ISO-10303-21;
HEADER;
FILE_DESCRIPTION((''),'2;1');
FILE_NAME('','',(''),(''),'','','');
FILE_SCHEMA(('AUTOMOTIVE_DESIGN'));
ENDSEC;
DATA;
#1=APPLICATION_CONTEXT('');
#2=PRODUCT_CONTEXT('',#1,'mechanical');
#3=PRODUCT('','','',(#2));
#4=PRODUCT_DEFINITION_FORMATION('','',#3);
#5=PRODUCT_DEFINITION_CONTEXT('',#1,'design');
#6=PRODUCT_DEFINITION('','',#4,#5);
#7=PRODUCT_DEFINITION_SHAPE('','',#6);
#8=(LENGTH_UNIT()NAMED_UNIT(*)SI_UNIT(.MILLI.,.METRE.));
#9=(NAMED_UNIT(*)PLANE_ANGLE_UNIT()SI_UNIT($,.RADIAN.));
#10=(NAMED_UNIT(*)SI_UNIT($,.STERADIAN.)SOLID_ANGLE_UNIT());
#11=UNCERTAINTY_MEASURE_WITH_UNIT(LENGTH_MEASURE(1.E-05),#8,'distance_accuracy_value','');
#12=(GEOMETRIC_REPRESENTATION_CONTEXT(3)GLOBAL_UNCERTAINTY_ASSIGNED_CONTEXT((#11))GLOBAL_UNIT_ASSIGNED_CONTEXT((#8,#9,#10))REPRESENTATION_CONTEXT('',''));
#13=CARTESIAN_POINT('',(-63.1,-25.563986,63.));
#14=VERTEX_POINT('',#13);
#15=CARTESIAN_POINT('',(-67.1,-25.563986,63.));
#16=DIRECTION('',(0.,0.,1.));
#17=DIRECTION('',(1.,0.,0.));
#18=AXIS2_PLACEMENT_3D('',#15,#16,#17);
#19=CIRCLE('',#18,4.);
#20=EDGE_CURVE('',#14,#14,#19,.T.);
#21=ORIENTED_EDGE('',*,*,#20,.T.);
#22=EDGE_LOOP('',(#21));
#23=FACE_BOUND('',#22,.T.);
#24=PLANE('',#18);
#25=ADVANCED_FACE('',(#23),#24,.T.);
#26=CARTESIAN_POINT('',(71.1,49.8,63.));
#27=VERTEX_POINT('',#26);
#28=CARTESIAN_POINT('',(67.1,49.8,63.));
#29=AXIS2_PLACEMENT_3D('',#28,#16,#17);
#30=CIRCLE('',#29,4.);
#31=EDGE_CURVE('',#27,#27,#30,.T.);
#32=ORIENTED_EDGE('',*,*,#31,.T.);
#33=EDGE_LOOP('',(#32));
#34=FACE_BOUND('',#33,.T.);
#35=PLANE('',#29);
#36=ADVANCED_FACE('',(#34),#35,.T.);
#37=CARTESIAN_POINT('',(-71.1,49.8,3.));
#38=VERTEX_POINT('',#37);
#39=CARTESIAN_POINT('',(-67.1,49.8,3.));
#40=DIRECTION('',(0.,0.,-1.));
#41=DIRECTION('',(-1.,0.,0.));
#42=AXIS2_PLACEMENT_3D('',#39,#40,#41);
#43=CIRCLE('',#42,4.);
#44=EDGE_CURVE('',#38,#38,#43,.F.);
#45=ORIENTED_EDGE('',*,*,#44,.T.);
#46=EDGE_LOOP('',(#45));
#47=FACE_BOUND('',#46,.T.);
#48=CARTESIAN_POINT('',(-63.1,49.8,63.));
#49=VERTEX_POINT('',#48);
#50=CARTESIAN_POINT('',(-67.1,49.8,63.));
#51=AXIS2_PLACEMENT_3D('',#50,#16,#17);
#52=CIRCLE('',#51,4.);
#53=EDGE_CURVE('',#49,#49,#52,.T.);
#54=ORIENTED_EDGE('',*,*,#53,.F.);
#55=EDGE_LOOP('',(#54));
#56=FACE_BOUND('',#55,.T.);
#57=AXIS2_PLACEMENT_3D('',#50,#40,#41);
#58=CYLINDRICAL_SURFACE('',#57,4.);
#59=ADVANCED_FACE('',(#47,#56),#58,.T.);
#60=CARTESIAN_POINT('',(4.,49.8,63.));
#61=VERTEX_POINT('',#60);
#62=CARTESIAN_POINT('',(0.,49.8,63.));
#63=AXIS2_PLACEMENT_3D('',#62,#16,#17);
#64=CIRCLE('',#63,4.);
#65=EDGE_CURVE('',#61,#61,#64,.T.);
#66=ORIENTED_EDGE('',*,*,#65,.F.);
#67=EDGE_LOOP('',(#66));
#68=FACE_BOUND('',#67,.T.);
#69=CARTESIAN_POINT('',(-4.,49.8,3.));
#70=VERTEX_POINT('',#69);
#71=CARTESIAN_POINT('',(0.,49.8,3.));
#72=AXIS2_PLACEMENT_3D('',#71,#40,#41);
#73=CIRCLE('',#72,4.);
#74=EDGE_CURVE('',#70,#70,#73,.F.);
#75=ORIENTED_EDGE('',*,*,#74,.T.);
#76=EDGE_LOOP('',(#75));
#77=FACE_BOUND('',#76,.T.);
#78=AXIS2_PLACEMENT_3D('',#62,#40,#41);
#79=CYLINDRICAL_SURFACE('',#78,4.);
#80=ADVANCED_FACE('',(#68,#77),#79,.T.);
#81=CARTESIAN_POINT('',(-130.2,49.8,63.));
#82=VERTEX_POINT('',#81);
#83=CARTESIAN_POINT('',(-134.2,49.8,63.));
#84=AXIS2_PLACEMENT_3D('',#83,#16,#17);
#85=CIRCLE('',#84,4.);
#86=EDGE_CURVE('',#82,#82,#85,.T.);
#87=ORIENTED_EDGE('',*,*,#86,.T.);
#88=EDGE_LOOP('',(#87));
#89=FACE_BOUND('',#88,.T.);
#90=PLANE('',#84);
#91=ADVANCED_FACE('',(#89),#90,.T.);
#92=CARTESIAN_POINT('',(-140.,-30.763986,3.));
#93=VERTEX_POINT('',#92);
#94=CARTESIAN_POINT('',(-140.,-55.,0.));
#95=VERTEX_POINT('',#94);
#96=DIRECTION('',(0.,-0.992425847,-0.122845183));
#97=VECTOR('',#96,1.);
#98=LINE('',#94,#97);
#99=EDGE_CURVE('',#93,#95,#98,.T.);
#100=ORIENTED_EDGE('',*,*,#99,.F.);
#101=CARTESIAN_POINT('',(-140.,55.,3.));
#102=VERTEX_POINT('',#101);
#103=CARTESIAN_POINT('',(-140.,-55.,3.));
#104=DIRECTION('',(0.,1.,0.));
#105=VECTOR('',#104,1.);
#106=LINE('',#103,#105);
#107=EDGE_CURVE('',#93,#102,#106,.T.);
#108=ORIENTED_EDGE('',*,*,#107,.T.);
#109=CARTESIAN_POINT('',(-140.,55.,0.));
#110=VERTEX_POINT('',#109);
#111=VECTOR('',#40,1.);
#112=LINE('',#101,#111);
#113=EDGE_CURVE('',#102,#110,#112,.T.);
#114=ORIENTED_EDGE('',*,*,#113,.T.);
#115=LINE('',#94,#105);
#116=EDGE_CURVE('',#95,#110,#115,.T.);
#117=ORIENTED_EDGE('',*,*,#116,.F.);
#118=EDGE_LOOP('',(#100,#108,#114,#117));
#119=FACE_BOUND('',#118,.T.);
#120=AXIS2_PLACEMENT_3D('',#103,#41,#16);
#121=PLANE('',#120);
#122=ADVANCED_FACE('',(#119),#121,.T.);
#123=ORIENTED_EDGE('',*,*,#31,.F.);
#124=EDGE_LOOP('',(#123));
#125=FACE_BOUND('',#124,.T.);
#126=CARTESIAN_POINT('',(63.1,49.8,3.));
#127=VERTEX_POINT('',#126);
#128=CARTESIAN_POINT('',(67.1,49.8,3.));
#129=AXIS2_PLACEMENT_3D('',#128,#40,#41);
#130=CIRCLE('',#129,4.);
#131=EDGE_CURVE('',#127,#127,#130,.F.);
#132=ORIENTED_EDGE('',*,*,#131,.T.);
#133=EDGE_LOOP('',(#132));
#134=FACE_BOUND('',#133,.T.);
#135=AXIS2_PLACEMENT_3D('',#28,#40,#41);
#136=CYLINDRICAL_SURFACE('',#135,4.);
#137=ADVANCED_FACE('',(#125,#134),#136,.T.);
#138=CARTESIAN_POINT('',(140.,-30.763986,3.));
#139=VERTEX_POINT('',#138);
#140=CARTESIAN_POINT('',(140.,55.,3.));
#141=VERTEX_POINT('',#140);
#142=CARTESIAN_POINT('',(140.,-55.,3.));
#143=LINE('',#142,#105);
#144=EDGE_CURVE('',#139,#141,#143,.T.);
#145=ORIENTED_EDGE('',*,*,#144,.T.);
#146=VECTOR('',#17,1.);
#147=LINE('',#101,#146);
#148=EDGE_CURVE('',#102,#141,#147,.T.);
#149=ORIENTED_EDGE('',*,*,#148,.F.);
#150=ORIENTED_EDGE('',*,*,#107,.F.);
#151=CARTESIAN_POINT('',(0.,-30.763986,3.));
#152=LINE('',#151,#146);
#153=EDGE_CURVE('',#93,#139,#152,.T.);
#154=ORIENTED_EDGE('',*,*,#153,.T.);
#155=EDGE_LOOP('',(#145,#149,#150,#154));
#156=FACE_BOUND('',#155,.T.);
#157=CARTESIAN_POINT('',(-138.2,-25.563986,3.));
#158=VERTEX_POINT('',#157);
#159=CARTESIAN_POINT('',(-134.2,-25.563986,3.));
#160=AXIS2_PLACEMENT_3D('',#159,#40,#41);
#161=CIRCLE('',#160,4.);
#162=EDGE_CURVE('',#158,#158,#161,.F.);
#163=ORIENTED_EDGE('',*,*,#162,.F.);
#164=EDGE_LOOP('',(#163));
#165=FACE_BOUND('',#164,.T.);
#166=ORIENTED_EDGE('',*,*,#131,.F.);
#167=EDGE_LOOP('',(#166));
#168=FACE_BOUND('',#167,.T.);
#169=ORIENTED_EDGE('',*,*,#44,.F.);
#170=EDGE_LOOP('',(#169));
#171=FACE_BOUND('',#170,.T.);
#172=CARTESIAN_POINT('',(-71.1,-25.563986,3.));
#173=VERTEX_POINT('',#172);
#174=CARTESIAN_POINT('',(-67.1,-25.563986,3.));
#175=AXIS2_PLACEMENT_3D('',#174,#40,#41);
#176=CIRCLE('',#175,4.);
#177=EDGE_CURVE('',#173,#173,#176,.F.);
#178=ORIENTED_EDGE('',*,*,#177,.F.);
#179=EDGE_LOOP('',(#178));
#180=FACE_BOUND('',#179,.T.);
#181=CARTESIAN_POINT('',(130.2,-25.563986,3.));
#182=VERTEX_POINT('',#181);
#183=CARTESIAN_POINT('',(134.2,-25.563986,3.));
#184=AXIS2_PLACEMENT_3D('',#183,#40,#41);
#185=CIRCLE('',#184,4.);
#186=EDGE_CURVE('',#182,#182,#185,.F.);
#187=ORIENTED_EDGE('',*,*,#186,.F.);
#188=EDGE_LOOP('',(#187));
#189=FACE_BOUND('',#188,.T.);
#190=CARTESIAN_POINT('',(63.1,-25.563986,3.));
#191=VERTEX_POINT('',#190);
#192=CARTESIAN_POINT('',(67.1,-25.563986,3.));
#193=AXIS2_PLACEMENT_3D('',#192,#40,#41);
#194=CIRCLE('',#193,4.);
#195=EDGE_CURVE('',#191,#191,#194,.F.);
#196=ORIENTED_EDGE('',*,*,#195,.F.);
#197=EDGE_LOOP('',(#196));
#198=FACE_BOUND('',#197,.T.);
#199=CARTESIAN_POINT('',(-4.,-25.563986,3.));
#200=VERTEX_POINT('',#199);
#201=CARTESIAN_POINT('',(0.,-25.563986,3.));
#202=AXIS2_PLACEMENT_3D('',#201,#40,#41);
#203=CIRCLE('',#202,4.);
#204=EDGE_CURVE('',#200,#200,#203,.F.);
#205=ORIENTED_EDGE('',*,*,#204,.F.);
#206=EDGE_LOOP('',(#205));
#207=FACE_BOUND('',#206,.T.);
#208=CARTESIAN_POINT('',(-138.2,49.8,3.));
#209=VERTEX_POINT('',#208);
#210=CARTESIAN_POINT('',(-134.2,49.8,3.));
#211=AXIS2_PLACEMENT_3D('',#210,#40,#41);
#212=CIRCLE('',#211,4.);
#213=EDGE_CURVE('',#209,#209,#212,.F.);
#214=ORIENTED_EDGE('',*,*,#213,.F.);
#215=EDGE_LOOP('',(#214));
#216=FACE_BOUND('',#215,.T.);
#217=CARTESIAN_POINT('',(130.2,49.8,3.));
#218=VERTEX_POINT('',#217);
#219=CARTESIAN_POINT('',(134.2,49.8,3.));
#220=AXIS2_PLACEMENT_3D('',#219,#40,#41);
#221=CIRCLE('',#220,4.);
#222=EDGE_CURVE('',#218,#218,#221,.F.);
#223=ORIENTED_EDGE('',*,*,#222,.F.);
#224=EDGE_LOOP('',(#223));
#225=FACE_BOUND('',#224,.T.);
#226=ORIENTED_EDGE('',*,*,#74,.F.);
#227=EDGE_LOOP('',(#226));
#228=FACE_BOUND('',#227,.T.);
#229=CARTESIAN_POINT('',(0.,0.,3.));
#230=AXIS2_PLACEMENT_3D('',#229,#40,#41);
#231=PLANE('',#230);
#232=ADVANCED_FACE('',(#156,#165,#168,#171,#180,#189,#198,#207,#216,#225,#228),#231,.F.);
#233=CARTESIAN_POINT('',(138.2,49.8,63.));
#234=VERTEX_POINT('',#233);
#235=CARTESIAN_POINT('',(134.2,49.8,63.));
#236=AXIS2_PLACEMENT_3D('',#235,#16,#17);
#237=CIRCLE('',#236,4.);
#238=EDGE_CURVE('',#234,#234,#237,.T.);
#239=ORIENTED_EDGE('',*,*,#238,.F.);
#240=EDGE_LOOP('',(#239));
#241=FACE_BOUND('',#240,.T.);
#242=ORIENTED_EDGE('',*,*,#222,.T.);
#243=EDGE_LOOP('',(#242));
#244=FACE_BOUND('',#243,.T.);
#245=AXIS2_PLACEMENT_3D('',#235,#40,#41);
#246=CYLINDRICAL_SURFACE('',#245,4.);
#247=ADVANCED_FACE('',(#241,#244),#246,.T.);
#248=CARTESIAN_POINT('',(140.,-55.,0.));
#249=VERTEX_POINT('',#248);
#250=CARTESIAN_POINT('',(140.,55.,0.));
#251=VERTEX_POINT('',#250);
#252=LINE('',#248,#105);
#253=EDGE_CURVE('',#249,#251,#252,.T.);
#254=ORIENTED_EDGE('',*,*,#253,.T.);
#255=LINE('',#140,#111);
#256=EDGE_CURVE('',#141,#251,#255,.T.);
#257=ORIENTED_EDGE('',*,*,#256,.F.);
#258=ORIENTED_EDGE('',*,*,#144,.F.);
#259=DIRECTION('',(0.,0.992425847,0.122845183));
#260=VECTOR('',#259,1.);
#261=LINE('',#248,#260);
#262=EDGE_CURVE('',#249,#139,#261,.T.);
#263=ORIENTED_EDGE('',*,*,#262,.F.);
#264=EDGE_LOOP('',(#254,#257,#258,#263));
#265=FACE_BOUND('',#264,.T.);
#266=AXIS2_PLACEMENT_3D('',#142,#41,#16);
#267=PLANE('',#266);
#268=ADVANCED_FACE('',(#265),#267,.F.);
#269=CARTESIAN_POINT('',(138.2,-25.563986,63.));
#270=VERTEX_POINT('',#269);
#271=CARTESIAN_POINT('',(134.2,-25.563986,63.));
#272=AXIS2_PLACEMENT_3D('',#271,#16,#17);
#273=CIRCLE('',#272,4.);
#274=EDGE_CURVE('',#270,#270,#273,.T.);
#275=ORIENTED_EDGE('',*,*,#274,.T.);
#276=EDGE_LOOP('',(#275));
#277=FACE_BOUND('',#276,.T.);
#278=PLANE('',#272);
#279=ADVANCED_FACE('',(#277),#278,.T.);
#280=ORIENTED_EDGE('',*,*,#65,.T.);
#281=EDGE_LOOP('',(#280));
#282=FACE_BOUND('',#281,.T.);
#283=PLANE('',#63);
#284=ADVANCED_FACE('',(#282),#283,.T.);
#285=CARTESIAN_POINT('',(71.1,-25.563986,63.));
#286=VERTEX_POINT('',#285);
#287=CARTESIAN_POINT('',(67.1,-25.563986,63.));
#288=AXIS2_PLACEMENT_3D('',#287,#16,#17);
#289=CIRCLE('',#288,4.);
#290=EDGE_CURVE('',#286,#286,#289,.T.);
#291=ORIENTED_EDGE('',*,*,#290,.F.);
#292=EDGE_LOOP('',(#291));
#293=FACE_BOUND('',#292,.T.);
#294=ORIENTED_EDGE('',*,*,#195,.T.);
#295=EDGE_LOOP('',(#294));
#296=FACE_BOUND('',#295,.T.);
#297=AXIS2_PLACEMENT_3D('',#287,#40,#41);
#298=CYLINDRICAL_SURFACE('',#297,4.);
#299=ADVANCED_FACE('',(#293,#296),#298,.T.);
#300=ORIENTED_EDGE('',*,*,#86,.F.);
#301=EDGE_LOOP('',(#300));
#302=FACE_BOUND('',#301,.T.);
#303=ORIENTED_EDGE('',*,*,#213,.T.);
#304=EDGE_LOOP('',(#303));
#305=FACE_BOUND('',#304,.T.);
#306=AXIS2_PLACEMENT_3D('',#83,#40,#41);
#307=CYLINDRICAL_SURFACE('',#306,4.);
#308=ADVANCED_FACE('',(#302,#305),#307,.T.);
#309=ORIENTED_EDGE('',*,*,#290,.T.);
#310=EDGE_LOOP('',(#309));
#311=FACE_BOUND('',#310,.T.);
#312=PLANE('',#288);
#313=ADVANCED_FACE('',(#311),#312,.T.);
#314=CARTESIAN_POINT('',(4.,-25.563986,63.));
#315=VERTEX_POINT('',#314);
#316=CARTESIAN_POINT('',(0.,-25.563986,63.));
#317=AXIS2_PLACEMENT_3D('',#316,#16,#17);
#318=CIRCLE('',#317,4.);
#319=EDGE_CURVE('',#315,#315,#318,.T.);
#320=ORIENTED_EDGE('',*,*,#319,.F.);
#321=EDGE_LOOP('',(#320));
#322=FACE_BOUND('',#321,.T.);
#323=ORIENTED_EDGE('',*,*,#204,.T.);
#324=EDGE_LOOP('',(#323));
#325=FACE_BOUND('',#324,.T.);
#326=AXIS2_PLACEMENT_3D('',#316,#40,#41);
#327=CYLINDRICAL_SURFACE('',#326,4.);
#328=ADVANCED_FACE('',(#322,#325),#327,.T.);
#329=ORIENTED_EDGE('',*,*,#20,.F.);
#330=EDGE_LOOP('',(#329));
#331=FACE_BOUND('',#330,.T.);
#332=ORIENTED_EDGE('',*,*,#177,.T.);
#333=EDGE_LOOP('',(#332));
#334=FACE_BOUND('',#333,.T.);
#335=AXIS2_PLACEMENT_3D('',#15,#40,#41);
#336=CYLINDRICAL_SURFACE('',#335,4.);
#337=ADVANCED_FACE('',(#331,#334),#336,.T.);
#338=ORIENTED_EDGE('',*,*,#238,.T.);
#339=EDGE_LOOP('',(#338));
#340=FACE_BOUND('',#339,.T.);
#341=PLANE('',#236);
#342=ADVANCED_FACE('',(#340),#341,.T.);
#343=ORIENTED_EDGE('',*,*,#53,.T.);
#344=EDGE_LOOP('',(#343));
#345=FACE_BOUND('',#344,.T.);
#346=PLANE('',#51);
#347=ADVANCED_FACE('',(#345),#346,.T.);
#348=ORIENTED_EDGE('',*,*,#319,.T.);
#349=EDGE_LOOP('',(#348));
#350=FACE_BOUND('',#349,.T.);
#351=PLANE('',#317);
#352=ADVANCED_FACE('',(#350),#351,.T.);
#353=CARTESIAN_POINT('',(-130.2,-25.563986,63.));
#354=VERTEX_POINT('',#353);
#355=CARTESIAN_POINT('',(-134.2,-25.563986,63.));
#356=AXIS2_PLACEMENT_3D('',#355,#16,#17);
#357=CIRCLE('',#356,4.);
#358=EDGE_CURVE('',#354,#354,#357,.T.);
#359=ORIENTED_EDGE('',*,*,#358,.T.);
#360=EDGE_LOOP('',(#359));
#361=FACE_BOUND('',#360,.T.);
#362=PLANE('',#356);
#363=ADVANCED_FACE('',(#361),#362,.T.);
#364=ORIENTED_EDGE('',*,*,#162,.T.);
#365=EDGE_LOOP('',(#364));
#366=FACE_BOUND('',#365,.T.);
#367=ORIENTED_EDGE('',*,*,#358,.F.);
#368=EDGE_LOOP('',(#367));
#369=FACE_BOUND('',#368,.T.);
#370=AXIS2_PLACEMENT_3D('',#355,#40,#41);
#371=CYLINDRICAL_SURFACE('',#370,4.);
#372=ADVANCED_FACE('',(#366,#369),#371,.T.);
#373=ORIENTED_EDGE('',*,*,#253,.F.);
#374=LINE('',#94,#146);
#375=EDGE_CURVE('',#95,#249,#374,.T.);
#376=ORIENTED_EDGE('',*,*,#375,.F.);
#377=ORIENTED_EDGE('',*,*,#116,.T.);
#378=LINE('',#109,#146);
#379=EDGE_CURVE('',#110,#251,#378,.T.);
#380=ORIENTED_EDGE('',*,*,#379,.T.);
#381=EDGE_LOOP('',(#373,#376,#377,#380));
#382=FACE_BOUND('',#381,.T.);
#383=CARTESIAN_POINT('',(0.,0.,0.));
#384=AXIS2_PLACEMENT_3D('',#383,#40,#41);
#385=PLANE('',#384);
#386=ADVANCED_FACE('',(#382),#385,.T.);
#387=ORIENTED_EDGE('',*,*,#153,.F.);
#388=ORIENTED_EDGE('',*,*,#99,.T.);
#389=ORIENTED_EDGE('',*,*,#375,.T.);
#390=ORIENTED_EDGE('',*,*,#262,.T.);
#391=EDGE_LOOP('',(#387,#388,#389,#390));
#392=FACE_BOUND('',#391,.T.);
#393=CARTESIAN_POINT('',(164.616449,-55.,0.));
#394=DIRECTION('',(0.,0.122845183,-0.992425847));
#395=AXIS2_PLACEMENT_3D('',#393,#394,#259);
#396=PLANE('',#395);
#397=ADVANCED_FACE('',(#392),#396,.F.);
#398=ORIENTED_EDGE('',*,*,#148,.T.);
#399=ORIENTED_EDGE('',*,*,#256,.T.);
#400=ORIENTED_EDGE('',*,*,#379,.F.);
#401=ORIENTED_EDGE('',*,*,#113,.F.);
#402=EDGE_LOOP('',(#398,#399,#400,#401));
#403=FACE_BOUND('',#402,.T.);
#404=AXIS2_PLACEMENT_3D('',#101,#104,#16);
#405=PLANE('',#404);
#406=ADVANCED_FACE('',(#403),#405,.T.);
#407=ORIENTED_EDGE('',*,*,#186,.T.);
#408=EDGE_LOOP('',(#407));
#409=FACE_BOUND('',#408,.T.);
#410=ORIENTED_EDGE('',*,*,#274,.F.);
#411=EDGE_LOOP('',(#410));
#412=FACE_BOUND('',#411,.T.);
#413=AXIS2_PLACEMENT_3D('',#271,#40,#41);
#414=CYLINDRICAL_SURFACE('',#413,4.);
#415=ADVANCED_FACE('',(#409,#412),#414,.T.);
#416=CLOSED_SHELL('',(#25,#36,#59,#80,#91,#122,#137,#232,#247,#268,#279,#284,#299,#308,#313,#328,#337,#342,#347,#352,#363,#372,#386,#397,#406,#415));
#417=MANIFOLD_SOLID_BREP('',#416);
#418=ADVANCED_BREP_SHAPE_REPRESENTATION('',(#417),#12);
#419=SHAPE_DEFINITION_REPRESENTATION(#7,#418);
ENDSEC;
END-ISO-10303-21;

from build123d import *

# Parameters (mm, degrees)
ESBO_O1_W                = 280
ESBO_O1_H                = 110
RESSALTO_EXTRUS_O1_DEPTH = 3
CORTE_EXTRUS_O1_DEPTH    = 280
ESBO_O4_R                = 4
RESSALTO_EXTRUS_O2_DEPTH = 60


with BuildPart() as part:
    # Esboço1 → Ressalto-extrusão1 (new body)
    with BuildSketch(Plane.XY):
        Rectangle(ESBO_O1_W, ESBO_O1_H)
    extrude(amount=RESSALTO_EXTRUS_O1_DEPTH)

    # Esboço3 → Corte-extrusão1 (cut)
    with BuildSketch(Plane.ZY.offset(140)):
        Polygon((0, -55), (3.02401214, -30.57), (3, -55), align=None)
    extrude(amount=-CORTE_EXTRUS_O1_DEPTH, mode=Mode.SUBTRACT)

    # Esboço4 → Ressalto-extrusão2 (add)
    with BuildSketch(Plane.XY.offset(3)):
        with Locations(Location((134.2, 49.8, 0), (0, 0, 180))):
            Circle(ESBO_O4_R)
        with Locations(Location((67.1, 49.8, 0), (0, 0, 180))):
            Circle(ESBO_O4_R)
        with Locations(Location((0, 49.8, 0), (0, 0, 180))):
            Circle(ESBO_O4_R)
        with Locations(Location((-67.1, 49.8, 0), (0, 0, 180))):
            Circle(ESBO_O4_R)
        with Locations(Location((-134.2, 49.8, 0), (0, 0, 180))):
            Circle(ESBO_O4_R)
        with Locations(Location((-134.2, -25.563986188, 0), (0, 0, 180))):
            Circle(ESBO_O4_R)
        with Locations(Location((-67.1, -25.563986188, 0), (0, 0, 180))):
            Circle(ESBO_O4_R)
        with Locations(Location((0, -25.563986188, 0), (0, 0, 180))):
            Circle(ESBO_O4_R)
        with Locations(Location((67.1, -25.563986188, 0), (0, 0, 180))):
            Circle(ESBO_O4_R)
        with Locations(Location((134.2, -25.563986188, 0), (0, 0, 180))):
            Circle(ESBO_O4_R)
    extrude(amount=RESSALTO_EXTRUS_O2_DEPTH)


solid = part.part
